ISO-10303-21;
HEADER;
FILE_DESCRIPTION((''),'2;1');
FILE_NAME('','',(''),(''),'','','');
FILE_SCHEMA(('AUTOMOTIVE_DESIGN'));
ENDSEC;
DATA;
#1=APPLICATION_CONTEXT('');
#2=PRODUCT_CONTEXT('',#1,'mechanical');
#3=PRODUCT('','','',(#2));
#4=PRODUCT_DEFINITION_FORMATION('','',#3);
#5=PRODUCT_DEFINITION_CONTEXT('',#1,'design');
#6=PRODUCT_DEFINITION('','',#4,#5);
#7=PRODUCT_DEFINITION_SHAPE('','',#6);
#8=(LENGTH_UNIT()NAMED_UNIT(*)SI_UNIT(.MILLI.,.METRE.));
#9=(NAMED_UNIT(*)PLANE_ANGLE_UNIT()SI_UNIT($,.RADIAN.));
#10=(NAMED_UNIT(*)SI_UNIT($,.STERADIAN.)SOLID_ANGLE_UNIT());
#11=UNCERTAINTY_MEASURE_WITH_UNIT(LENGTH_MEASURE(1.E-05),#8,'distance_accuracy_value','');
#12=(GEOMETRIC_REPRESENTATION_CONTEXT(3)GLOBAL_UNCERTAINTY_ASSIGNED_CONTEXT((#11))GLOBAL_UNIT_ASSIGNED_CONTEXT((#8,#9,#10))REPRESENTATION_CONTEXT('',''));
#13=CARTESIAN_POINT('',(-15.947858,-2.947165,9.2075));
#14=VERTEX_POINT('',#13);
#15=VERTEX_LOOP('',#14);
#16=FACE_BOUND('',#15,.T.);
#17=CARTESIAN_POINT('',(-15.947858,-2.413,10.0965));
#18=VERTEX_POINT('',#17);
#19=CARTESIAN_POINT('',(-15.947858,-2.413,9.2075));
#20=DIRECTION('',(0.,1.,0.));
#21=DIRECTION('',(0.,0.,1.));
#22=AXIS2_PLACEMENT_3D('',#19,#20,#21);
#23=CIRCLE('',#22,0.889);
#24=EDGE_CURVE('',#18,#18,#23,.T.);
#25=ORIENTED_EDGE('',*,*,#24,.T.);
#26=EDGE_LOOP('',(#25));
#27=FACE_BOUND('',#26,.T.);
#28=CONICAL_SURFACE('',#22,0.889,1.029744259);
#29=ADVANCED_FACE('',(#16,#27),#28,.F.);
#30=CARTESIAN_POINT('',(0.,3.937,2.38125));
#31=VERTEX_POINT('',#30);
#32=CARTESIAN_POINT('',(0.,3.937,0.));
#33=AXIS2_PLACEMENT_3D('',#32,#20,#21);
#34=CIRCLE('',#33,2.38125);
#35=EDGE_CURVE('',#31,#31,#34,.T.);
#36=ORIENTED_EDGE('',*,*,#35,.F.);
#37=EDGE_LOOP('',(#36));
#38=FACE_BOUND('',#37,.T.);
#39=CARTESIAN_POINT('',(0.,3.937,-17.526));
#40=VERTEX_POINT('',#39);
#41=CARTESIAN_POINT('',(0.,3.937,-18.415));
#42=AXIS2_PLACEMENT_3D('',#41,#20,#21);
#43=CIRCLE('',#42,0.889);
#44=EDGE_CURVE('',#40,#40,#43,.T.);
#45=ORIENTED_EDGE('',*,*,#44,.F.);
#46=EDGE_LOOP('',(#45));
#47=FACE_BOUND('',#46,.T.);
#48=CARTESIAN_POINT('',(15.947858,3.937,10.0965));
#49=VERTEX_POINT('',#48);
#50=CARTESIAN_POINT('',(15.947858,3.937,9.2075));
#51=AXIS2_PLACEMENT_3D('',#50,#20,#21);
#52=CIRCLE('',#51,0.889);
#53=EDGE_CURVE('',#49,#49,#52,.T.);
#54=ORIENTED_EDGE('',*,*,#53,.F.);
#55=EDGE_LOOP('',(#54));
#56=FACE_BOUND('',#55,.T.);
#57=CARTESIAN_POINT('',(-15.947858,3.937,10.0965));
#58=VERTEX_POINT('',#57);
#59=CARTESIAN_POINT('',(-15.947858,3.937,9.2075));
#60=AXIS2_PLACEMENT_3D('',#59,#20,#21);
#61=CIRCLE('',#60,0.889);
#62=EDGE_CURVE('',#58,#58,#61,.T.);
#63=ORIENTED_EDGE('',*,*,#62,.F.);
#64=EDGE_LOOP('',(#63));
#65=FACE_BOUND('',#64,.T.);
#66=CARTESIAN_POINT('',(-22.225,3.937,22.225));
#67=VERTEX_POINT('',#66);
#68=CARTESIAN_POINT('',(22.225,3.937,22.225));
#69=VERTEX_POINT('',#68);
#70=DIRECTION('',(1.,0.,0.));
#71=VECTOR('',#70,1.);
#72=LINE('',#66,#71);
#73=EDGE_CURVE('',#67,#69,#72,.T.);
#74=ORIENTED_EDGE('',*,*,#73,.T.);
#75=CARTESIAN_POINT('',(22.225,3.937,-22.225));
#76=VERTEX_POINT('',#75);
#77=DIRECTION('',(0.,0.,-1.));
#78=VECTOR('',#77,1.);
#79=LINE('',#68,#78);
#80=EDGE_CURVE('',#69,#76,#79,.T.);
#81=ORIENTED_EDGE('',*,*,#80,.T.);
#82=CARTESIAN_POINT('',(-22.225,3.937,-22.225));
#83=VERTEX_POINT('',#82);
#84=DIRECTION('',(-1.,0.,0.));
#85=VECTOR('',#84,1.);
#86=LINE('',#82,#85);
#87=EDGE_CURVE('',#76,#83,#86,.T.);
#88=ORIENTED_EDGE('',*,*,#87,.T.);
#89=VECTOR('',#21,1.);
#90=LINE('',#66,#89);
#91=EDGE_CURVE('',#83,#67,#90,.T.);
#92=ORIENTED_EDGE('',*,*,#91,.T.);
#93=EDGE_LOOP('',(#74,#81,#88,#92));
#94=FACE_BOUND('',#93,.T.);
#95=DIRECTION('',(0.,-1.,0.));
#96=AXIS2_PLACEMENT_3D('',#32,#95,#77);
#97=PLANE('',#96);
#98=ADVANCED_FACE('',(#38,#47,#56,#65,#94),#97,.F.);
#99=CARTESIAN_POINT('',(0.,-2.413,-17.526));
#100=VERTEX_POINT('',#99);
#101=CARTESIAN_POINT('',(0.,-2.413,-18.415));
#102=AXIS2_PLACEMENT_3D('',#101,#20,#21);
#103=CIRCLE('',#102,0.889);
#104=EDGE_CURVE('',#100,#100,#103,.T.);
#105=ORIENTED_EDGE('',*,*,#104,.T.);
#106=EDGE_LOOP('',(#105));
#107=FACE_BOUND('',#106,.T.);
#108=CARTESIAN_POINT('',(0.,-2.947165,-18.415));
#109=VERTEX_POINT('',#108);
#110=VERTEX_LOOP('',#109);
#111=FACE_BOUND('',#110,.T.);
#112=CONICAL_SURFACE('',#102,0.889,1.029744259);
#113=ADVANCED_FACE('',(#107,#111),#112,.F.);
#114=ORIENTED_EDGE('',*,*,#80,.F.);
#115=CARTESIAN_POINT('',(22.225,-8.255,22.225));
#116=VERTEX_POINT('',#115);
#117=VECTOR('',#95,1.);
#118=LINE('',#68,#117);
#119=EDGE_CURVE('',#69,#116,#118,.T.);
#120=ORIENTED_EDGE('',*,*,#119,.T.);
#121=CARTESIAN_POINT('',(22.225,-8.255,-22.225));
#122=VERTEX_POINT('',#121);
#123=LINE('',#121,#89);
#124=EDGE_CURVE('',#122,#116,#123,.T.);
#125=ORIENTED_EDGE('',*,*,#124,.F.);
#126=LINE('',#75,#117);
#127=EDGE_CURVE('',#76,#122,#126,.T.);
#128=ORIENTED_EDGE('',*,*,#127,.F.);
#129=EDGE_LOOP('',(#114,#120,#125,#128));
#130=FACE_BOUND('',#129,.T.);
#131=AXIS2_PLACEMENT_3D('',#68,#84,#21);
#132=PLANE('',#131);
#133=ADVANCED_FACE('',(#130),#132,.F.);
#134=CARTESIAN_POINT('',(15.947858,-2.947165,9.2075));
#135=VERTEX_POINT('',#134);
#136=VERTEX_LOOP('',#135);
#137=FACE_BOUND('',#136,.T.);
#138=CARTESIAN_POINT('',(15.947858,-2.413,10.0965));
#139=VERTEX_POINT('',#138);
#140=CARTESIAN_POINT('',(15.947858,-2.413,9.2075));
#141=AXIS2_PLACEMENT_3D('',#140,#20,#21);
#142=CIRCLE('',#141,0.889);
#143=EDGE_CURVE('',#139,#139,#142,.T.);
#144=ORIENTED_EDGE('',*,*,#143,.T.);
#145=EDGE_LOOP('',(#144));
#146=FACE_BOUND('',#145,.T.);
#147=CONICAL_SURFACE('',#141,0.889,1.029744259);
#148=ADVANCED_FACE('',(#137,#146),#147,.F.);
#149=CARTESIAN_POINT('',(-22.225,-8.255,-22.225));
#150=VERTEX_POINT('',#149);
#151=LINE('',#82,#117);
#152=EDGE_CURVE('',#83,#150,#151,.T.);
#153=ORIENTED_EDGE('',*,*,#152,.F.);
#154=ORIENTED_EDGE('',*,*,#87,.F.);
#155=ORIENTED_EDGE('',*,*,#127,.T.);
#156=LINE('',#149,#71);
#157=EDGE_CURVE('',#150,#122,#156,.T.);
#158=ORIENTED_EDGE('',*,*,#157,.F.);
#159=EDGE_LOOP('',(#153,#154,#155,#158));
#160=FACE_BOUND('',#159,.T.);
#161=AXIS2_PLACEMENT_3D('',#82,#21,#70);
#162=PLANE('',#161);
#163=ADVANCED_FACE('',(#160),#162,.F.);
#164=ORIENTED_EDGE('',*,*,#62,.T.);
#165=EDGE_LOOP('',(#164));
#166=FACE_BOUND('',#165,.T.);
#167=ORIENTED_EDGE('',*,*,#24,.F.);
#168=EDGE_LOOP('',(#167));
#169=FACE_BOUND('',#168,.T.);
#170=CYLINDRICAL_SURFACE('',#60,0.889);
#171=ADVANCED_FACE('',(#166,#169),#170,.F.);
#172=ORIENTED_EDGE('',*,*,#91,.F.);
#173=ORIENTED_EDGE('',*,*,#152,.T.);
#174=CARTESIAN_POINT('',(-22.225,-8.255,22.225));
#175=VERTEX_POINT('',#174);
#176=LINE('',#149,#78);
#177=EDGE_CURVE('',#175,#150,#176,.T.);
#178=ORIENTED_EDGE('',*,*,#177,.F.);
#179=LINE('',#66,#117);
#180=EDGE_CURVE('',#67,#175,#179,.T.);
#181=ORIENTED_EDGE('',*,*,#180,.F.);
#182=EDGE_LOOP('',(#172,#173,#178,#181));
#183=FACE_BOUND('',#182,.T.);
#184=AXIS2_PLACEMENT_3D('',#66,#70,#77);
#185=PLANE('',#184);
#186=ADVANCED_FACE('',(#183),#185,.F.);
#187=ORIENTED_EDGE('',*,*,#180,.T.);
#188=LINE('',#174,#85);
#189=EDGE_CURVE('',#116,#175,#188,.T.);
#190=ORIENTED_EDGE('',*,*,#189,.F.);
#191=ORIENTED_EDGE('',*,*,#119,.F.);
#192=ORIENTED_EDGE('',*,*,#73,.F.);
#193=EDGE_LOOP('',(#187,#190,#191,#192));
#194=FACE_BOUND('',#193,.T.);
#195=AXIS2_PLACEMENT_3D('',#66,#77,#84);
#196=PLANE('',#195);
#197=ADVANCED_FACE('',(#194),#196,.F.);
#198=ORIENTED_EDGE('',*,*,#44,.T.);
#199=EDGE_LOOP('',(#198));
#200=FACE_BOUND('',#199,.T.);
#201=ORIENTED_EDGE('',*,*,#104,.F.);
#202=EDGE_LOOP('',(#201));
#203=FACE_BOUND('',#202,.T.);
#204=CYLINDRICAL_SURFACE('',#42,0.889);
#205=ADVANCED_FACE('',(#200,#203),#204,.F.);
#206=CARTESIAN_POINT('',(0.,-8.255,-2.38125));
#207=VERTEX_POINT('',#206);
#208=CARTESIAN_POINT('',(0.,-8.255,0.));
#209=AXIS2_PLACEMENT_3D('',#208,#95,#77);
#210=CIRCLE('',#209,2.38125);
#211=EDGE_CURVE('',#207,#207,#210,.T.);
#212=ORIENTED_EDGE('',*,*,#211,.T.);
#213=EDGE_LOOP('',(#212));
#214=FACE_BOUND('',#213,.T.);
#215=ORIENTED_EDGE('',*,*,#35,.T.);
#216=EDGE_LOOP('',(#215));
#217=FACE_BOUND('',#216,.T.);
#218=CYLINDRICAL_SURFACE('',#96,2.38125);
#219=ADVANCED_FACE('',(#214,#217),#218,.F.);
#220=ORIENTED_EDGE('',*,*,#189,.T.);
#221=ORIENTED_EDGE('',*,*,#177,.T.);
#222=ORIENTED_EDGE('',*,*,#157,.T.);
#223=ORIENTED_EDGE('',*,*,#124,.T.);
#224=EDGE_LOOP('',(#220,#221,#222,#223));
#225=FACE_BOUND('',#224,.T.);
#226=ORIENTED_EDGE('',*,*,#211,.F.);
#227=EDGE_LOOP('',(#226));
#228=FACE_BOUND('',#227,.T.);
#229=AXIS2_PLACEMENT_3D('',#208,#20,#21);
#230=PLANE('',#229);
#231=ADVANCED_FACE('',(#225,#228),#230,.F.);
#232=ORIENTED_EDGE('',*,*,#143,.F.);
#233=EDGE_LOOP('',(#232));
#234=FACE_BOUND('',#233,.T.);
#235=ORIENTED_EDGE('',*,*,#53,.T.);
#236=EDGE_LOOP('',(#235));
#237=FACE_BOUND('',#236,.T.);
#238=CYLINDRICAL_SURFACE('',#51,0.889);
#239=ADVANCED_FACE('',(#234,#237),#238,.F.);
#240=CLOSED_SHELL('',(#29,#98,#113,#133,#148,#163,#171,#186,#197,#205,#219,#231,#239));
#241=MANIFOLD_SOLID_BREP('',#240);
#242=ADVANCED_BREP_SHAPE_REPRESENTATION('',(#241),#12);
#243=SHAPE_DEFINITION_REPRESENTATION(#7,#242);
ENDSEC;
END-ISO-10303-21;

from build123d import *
from build123d.topology import SkipClean

# Parameters (mm, degrees)
SKETCH1_W                 = 44.45
SKETCH1_H                 = 44.45
SKETCH1_R                 = 2.38125
BOSS_EXTRUDE1_DEPTH       = 3.937
BOSS_EXTRUDE2_START       = 8.255
SKETCH3_W                 = 44.45
SKETCH3_H                 = 44.45
SKETCH3_R                 = 2.38125
BOSS_EXTRUDE2_DEPTH       = 8.255
F_2_56_TAPPED_HOLE1_D     = 1.778
F_2_56_TAPPED_HOLE1_DEPTH = 6.35
F_2_56_TAPPED_HOLE1_TIP   = 0.53416509


with BuildPart() as part:
    # Sketch1 → Boss-Extrude1 (new body)
    with BuildSketch(Plane(origin=(0, 0, 0), x_dir=(1, 0, 0), z_dir=(0, 1, 0))):
        Rectangle(SKETCH1_W, SKETCH1_H)
        with Locations(Location((0, 0, 0), (0, 0, 270))):
            Circle(SKETCH1_R, mode=Mode.SUBTRACT)
    extrude(amount=BOSS_EXTRUDE1_DEPTH)

    # Sketch3 → Boss-Extrude2 (add)
    with SkipClean():  # the faces are left unmerged after this step: merging them gives an invalid solid
        with BuildSketch(Plane.XZ.offset(BOSS_EXTRUDE2_START)):
            Rectangle(SKETCH3_W, SKETCH3_H)
            with Locations(Location((0, 0, 0), (0, 0, 270))):
                Circle(SKETCH3_R, mode=Mode.SUBTRACT)
        extrude(amount=-BOSS_EXTRUDE2_DEPTH)

    # #2-56 Tapped Hole1
    with Locations(Plane(origin=(0, 3.937, 0), x_dir=(1, 0, 0), z_dir=(0, 1, 0))):
        with Locations((15.947857811, -9.2075), (-15.947857811, -9.2075), (0, 18.415)):
            Hole(F_2_56_TAPPED_HOLE1_D / 2, depth=F_2_56_TAPPED_HOLE1_DEPTH)
            with Locations((0, 0, -(F_2_56_TAPPED_HOLE1_DEPTH + F_2_56_TAPPED_HOLE1_TIP / 2))):  # 118° drill point
                Cone(0, F_2_56_TAPPED_HOLE1_D / 2, F_2_56_TAPPED_HOLE1_TIP, mode=Mode.SUBTRACT)


solid = part.part
